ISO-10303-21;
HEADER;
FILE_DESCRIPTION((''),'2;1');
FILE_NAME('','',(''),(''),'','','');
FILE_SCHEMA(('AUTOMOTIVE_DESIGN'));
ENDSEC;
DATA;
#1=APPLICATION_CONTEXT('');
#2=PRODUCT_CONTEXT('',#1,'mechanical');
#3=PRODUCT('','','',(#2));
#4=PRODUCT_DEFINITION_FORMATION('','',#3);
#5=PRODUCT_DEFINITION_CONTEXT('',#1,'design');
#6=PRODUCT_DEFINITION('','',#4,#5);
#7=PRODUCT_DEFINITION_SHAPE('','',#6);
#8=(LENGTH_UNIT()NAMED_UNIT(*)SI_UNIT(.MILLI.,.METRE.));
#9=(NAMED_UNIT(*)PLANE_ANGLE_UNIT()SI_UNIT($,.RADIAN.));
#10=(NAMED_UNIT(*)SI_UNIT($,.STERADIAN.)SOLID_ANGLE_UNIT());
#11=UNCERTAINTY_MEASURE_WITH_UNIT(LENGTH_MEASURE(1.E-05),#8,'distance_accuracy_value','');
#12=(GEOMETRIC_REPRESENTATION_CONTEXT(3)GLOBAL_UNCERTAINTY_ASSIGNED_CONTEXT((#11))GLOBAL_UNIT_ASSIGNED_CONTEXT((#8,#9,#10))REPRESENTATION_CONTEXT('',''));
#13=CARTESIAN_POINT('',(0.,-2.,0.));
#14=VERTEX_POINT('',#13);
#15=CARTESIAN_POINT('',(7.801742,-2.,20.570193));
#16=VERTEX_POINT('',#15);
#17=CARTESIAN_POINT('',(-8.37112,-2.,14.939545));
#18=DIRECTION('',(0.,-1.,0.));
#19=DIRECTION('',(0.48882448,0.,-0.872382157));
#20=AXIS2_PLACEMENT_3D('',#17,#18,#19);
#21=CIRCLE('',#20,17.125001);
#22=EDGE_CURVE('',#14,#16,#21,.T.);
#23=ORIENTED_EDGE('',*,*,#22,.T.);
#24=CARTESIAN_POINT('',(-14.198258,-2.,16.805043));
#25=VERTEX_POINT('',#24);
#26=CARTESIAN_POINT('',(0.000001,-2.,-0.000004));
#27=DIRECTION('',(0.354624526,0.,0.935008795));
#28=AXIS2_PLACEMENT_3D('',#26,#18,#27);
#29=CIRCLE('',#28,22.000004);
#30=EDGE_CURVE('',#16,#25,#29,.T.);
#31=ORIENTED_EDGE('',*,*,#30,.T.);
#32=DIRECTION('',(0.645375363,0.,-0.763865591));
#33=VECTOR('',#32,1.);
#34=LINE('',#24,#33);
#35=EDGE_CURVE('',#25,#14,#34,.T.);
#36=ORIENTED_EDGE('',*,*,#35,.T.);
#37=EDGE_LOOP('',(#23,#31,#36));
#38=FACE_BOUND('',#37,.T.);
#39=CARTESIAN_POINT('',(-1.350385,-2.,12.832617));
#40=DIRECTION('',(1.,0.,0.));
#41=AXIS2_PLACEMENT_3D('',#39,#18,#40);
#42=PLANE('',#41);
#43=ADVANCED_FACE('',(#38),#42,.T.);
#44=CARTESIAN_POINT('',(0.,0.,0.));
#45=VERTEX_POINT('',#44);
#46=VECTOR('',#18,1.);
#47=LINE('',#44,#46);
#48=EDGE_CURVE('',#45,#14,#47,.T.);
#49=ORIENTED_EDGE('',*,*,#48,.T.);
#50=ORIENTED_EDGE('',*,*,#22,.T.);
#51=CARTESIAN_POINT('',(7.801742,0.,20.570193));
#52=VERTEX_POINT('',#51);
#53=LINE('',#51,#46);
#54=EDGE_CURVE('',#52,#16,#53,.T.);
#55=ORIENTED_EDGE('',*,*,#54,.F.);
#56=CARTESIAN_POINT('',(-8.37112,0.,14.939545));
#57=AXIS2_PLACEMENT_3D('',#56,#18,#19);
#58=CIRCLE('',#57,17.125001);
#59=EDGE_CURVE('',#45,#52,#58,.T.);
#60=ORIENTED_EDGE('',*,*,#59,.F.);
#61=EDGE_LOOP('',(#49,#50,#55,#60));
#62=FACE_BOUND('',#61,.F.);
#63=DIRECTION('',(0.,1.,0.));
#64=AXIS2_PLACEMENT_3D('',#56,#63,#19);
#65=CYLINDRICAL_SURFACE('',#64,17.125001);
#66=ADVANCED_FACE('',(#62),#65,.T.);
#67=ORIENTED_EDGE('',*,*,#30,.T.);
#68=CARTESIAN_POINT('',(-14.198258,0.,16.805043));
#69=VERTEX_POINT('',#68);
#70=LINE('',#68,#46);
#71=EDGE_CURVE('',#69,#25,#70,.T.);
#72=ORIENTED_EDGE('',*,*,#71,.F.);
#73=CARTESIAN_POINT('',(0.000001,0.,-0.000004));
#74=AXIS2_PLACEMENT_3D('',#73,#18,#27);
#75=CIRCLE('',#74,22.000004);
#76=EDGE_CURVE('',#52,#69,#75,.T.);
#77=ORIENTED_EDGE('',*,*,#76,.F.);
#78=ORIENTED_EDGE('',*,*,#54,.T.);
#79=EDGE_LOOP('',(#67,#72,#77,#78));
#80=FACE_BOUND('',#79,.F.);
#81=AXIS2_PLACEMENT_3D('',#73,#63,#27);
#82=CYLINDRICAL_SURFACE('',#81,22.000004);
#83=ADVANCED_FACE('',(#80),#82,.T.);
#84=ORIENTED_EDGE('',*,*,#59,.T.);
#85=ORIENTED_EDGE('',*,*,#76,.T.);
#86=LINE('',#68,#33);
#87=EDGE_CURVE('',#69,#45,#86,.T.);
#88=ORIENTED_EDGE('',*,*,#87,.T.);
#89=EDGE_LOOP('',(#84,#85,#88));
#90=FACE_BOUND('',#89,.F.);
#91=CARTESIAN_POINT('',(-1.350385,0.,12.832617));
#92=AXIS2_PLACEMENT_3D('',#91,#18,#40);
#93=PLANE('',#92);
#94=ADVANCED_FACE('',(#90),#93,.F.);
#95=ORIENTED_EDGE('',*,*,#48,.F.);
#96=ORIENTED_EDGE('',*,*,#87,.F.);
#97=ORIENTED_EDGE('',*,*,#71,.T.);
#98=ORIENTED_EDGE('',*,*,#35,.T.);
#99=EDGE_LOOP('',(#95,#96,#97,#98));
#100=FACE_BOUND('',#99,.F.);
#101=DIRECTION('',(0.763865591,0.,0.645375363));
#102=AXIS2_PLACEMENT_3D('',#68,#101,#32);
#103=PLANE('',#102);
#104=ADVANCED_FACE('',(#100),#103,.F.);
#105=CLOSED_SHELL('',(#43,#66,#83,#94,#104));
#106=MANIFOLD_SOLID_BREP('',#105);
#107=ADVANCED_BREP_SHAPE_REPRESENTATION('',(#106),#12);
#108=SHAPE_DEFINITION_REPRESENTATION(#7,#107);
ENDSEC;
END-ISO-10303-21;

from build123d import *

# Parameters (mm, degrees)
F1_DEPTH = 2


with BuildPart() as f1:
    # F0 (on Front) → F1 (new body)
    with BuildSketch(Plane.XZ):
        with BuildLine():
            Line((-14.198258, 16.805043), (0, 0))
            ThreePointArc((0, 0), (7.640906, 8.866598), (7.801742, 20.570193))
            ThreePointArc((7.801742, 20.570193), (-3.711192, 21.684719), (-14.198258, 16.805043))
        make_face()
    extrude(amount=F1_DEPTH)


solid = f1.part
